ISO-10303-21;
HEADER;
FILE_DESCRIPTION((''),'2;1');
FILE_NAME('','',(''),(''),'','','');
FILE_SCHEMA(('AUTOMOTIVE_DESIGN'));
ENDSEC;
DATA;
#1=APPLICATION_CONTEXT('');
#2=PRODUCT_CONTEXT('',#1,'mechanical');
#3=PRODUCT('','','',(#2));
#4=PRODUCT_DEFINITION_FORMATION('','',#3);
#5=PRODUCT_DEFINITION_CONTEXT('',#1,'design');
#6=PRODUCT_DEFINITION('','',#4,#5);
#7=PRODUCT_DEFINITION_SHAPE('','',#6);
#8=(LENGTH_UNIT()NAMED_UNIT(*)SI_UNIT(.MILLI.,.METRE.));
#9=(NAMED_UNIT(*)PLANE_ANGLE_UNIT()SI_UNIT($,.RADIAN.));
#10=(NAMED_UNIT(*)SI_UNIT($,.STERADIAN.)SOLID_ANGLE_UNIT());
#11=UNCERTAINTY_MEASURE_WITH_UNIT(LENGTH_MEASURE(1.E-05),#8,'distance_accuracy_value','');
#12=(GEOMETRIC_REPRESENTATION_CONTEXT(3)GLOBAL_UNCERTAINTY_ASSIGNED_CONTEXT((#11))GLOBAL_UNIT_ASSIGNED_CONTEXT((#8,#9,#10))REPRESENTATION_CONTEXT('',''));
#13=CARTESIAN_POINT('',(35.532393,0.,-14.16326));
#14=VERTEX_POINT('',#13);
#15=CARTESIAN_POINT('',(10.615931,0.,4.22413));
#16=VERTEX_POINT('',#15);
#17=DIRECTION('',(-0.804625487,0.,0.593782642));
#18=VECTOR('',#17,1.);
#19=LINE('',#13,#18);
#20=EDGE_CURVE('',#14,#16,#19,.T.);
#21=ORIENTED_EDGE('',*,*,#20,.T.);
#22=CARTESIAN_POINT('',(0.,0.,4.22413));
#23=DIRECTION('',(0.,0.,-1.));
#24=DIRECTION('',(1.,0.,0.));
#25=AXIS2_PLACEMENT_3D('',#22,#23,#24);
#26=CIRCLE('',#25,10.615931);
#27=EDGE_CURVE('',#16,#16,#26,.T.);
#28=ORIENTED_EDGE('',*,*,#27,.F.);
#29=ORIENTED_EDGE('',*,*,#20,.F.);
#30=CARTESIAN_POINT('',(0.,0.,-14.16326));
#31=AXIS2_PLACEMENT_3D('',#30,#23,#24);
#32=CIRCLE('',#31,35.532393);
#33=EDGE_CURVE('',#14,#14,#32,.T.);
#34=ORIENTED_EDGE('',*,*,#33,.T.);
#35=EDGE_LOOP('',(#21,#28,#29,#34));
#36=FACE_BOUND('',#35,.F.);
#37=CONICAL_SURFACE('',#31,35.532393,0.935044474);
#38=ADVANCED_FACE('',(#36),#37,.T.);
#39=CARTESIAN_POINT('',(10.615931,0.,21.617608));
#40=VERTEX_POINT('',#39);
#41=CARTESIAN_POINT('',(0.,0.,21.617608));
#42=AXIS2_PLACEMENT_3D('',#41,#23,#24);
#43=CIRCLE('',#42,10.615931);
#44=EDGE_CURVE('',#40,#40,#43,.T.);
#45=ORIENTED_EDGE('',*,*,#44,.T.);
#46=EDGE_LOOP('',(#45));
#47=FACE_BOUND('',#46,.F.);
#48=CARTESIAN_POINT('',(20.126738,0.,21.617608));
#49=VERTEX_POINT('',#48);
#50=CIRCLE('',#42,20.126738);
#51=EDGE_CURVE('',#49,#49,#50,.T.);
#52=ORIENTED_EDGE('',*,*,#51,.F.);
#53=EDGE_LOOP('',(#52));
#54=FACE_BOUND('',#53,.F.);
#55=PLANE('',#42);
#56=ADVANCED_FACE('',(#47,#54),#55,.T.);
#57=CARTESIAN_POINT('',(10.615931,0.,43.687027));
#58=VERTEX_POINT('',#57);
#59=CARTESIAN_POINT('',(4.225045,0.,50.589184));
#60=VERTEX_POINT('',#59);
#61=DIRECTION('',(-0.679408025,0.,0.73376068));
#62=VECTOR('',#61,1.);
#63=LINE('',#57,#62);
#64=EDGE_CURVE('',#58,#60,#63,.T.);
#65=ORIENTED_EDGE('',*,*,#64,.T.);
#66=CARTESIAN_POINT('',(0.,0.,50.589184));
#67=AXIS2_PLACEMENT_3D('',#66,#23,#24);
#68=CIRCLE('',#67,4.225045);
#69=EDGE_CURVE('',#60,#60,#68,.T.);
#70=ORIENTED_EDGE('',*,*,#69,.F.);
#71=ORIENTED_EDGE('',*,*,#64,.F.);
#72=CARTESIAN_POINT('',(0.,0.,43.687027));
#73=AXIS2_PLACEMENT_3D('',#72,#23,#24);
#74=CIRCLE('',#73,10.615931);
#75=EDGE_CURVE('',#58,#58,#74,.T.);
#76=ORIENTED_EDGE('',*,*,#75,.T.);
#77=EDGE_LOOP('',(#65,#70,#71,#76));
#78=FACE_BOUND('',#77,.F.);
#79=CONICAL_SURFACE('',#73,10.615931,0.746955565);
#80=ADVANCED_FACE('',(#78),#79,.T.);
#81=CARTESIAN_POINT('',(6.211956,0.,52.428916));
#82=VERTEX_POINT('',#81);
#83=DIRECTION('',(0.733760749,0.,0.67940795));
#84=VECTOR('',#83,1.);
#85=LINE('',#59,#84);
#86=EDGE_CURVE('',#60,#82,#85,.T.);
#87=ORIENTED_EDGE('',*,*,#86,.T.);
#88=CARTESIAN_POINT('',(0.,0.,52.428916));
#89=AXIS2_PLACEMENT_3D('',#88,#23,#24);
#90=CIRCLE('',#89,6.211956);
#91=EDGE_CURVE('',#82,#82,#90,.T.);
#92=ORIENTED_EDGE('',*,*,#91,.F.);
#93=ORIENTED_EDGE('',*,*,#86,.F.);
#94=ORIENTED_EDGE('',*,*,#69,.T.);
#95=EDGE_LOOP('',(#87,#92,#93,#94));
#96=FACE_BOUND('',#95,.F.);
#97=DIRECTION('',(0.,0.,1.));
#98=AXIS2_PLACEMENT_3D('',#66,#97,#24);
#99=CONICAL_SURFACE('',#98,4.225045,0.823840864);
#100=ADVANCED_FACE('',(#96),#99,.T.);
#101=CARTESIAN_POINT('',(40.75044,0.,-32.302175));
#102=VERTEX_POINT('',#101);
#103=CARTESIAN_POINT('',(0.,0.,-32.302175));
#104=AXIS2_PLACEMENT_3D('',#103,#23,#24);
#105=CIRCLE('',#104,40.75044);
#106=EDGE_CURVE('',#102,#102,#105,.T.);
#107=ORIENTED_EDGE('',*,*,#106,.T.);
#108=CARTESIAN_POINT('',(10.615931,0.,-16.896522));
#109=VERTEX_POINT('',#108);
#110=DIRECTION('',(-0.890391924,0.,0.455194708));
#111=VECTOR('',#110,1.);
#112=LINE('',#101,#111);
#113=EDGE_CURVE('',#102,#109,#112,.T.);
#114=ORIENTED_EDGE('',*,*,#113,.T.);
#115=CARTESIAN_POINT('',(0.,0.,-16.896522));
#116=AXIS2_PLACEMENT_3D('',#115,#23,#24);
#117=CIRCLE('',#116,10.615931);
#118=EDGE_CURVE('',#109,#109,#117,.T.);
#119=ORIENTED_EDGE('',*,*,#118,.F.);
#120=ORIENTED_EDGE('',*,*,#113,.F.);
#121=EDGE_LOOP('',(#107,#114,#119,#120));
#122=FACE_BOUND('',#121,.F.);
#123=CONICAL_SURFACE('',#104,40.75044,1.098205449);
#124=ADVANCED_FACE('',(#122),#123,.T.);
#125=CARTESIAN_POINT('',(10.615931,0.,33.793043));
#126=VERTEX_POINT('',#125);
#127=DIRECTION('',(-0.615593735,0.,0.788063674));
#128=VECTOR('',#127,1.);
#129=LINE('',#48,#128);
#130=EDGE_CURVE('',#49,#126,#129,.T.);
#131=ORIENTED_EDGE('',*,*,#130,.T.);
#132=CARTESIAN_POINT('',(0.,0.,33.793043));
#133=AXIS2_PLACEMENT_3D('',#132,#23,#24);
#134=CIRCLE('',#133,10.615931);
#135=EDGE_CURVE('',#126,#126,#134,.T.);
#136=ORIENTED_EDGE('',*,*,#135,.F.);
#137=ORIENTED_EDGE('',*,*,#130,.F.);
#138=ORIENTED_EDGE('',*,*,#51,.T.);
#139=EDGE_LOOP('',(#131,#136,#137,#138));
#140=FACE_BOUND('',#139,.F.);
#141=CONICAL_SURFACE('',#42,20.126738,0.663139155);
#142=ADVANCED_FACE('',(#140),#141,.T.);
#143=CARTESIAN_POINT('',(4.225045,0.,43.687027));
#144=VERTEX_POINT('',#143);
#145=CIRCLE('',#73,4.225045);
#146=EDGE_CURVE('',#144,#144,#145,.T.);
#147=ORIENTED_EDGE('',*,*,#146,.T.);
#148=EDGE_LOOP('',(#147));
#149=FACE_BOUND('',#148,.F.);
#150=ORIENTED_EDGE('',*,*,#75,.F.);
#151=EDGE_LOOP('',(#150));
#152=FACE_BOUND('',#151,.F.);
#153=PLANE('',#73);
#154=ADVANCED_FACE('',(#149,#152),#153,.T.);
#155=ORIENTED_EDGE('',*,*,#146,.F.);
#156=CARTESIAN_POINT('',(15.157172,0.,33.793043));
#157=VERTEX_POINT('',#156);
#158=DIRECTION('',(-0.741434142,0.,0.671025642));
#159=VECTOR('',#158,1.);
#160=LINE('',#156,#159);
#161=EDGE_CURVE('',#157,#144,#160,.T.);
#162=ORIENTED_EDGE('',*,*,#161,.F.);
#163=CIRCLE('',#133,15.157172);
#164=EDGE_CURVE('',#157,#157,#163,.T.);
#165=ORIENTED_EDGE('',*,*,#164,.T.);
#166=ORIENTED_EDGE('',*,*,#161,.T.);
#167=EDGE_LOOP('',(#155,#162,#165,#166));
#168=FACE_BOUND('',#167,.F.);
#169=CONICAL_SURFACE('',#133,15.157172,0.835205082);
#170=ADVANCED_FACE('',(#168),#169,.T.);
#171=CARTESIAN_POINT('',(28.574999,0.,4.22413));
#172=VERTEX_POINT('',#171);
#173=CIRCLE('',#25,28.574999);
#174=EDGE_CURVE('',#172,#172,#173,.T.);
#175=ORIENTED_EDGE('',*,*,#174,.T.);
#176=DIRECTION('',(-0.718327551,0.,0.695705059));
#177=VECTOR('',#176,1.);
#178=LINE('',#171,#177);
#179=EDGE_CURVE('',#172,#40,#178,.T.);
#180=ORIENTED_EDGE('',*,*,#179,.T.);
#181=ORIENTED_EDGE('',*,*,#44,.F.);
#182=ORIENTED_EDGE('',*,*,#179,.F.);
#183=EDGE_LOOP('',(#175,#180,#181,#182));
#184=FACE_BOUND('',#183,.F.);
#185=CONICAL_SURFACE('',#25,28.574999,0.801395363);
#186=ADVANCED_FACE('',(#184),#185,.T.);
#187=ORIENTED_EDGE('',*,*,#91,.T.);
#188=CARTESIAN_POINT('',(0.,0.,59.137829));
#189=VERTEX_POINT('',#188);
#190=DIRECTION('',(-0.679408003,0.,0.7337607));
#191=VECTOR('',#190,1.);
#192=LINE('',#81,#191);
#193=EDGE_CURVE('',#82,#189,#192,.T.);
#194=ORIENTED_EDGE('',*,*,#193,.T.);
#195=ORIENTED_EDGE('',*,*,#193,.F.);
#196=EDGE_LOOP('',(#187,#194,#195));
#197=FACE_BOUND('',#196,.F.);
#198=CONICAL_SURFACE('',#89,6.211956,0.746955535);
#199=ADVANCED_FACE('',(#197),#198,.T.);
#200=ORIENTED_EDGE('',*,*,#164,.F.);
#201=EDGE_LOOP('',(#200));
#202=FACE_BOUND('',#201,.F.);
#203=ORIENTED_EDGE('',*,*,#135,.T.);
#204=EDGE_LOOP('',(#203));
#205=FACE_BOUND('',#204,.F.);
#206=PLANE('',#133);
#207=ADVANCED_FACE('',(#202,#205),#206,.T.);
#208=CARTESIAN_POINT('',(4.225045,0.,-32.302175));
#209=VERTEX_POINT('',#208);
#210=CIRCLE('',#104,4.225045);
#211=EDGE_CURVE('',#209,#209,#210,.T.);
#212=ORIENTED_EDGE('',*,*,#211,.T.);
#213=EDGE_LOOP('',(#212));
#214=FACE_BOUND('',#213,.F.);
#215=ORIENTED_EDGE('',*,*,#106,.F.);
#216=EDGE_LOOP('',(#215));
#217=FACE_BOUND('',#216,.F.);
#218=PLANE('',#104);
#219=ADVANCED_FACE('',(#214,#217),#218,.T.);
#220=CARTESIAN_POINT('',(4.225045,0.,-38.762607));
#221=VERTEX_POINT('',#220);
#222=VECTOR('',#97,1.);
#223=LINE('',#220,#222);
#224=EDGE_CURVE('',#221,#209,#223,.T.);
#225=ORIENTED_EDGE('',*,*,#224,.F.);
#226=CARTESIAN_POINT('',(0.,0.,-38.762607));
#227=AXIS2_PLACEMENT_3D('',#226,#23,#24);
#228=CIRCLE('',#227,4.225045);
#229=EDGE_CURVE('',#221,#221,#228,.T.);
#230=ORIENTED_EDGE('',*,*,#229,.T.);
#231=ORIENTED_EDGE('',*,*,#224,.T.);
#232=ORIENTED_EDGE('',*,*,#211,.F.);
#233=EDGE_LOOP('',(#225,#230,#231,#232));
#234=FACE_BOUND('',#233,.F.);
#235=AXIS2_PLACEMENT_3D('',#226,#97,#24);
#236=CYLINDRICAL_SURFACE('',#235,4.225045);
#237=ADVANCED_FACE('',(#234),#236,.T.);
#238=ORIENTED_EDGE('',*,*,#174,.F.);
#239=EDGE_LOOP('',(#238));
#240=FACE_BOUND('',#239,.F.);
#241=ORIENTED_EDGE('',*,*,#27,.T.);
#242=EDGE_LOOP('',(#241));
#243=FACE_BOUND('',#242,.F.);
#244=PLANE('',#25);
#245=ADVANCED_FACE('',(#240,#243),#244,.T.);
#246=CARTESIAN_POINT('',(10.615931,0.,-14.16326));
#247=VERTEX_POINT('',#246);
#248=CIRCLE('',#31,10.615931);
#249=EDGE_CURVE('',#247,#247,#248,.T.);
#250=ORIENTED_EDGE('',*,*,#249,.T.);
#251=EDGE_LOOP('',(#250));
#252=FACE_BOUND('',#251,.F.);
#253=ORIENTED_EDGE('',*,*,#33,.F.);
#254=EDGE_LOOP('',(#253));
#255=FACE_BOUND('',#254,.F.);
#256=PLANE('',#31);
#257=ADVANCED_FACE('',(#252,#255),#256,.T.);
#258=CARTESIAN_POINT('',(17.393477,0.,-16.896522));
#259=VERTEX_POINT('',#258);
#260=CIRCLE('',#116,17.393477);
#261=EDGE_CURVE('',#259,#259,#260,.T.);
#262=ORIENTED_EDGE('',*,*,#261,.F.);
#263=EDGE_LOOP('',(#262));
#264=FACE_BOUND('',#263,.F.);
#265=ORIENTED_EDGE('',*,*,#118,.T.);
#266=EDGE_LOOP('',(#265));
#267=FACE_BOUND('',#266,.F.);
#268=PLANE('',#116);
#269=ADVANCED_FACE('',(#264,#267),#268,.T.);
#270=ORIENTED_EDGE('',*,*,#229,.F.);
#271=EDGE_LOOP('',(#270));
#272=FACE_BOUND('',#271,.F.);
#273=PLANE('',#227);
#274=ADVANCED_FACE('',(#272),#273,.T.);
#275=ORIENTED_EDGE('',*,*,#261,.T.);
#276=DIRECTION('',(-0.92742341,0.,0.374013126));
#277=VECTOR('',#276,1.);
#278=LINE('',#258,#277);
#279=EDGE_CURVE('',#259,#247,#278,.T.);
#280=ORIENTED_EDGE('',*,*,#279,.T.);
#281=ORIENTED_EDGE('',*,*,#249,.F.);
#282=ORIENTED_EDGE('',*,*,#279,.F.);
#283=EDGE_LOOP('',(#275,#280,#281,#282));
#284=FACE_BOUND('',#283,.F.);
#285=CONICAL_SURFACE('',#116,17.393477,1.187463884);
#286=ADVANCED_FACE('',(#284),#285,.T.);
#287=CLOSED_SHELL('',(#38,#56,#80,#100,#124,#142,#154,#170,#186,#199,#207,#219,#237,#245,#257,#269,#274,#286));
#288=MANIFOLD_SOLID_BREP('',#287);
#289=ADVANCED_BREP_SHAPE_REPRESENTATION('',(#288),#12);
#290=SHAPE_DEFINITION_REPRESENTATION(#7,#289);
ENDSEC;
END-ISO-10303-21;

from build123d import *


with BuildPart() as f1:
    # F0 (on Front) → F1 (revolve)
    with BuildSketch(Plane.XZ):
        Polygon((6.211956, 52.428916), (0, 59.137829), (0, -38.762607), (4.225045, -38.762607), (4.225045, -32.302175), (40.75044, -32.302175), (10.615931, -16.896522), (17.393477, -16.896522), (10.615931, -14.16326), (35.532393, -14.16326), (10.615931, 4.22413), (28.574999, 4.22413), (10.615931, 21.617608), (20.126738, 21.617608), (10.615931, 33.793043), (15.157172, 33.793043), (4.225045, 43.687027), (10.615931, 43.687027), (4.225045, 50.589184), align=None)
    revolve(axis=Axis((0, 0, 10.187611), (0, 0, -1)))


solid = f1.part
